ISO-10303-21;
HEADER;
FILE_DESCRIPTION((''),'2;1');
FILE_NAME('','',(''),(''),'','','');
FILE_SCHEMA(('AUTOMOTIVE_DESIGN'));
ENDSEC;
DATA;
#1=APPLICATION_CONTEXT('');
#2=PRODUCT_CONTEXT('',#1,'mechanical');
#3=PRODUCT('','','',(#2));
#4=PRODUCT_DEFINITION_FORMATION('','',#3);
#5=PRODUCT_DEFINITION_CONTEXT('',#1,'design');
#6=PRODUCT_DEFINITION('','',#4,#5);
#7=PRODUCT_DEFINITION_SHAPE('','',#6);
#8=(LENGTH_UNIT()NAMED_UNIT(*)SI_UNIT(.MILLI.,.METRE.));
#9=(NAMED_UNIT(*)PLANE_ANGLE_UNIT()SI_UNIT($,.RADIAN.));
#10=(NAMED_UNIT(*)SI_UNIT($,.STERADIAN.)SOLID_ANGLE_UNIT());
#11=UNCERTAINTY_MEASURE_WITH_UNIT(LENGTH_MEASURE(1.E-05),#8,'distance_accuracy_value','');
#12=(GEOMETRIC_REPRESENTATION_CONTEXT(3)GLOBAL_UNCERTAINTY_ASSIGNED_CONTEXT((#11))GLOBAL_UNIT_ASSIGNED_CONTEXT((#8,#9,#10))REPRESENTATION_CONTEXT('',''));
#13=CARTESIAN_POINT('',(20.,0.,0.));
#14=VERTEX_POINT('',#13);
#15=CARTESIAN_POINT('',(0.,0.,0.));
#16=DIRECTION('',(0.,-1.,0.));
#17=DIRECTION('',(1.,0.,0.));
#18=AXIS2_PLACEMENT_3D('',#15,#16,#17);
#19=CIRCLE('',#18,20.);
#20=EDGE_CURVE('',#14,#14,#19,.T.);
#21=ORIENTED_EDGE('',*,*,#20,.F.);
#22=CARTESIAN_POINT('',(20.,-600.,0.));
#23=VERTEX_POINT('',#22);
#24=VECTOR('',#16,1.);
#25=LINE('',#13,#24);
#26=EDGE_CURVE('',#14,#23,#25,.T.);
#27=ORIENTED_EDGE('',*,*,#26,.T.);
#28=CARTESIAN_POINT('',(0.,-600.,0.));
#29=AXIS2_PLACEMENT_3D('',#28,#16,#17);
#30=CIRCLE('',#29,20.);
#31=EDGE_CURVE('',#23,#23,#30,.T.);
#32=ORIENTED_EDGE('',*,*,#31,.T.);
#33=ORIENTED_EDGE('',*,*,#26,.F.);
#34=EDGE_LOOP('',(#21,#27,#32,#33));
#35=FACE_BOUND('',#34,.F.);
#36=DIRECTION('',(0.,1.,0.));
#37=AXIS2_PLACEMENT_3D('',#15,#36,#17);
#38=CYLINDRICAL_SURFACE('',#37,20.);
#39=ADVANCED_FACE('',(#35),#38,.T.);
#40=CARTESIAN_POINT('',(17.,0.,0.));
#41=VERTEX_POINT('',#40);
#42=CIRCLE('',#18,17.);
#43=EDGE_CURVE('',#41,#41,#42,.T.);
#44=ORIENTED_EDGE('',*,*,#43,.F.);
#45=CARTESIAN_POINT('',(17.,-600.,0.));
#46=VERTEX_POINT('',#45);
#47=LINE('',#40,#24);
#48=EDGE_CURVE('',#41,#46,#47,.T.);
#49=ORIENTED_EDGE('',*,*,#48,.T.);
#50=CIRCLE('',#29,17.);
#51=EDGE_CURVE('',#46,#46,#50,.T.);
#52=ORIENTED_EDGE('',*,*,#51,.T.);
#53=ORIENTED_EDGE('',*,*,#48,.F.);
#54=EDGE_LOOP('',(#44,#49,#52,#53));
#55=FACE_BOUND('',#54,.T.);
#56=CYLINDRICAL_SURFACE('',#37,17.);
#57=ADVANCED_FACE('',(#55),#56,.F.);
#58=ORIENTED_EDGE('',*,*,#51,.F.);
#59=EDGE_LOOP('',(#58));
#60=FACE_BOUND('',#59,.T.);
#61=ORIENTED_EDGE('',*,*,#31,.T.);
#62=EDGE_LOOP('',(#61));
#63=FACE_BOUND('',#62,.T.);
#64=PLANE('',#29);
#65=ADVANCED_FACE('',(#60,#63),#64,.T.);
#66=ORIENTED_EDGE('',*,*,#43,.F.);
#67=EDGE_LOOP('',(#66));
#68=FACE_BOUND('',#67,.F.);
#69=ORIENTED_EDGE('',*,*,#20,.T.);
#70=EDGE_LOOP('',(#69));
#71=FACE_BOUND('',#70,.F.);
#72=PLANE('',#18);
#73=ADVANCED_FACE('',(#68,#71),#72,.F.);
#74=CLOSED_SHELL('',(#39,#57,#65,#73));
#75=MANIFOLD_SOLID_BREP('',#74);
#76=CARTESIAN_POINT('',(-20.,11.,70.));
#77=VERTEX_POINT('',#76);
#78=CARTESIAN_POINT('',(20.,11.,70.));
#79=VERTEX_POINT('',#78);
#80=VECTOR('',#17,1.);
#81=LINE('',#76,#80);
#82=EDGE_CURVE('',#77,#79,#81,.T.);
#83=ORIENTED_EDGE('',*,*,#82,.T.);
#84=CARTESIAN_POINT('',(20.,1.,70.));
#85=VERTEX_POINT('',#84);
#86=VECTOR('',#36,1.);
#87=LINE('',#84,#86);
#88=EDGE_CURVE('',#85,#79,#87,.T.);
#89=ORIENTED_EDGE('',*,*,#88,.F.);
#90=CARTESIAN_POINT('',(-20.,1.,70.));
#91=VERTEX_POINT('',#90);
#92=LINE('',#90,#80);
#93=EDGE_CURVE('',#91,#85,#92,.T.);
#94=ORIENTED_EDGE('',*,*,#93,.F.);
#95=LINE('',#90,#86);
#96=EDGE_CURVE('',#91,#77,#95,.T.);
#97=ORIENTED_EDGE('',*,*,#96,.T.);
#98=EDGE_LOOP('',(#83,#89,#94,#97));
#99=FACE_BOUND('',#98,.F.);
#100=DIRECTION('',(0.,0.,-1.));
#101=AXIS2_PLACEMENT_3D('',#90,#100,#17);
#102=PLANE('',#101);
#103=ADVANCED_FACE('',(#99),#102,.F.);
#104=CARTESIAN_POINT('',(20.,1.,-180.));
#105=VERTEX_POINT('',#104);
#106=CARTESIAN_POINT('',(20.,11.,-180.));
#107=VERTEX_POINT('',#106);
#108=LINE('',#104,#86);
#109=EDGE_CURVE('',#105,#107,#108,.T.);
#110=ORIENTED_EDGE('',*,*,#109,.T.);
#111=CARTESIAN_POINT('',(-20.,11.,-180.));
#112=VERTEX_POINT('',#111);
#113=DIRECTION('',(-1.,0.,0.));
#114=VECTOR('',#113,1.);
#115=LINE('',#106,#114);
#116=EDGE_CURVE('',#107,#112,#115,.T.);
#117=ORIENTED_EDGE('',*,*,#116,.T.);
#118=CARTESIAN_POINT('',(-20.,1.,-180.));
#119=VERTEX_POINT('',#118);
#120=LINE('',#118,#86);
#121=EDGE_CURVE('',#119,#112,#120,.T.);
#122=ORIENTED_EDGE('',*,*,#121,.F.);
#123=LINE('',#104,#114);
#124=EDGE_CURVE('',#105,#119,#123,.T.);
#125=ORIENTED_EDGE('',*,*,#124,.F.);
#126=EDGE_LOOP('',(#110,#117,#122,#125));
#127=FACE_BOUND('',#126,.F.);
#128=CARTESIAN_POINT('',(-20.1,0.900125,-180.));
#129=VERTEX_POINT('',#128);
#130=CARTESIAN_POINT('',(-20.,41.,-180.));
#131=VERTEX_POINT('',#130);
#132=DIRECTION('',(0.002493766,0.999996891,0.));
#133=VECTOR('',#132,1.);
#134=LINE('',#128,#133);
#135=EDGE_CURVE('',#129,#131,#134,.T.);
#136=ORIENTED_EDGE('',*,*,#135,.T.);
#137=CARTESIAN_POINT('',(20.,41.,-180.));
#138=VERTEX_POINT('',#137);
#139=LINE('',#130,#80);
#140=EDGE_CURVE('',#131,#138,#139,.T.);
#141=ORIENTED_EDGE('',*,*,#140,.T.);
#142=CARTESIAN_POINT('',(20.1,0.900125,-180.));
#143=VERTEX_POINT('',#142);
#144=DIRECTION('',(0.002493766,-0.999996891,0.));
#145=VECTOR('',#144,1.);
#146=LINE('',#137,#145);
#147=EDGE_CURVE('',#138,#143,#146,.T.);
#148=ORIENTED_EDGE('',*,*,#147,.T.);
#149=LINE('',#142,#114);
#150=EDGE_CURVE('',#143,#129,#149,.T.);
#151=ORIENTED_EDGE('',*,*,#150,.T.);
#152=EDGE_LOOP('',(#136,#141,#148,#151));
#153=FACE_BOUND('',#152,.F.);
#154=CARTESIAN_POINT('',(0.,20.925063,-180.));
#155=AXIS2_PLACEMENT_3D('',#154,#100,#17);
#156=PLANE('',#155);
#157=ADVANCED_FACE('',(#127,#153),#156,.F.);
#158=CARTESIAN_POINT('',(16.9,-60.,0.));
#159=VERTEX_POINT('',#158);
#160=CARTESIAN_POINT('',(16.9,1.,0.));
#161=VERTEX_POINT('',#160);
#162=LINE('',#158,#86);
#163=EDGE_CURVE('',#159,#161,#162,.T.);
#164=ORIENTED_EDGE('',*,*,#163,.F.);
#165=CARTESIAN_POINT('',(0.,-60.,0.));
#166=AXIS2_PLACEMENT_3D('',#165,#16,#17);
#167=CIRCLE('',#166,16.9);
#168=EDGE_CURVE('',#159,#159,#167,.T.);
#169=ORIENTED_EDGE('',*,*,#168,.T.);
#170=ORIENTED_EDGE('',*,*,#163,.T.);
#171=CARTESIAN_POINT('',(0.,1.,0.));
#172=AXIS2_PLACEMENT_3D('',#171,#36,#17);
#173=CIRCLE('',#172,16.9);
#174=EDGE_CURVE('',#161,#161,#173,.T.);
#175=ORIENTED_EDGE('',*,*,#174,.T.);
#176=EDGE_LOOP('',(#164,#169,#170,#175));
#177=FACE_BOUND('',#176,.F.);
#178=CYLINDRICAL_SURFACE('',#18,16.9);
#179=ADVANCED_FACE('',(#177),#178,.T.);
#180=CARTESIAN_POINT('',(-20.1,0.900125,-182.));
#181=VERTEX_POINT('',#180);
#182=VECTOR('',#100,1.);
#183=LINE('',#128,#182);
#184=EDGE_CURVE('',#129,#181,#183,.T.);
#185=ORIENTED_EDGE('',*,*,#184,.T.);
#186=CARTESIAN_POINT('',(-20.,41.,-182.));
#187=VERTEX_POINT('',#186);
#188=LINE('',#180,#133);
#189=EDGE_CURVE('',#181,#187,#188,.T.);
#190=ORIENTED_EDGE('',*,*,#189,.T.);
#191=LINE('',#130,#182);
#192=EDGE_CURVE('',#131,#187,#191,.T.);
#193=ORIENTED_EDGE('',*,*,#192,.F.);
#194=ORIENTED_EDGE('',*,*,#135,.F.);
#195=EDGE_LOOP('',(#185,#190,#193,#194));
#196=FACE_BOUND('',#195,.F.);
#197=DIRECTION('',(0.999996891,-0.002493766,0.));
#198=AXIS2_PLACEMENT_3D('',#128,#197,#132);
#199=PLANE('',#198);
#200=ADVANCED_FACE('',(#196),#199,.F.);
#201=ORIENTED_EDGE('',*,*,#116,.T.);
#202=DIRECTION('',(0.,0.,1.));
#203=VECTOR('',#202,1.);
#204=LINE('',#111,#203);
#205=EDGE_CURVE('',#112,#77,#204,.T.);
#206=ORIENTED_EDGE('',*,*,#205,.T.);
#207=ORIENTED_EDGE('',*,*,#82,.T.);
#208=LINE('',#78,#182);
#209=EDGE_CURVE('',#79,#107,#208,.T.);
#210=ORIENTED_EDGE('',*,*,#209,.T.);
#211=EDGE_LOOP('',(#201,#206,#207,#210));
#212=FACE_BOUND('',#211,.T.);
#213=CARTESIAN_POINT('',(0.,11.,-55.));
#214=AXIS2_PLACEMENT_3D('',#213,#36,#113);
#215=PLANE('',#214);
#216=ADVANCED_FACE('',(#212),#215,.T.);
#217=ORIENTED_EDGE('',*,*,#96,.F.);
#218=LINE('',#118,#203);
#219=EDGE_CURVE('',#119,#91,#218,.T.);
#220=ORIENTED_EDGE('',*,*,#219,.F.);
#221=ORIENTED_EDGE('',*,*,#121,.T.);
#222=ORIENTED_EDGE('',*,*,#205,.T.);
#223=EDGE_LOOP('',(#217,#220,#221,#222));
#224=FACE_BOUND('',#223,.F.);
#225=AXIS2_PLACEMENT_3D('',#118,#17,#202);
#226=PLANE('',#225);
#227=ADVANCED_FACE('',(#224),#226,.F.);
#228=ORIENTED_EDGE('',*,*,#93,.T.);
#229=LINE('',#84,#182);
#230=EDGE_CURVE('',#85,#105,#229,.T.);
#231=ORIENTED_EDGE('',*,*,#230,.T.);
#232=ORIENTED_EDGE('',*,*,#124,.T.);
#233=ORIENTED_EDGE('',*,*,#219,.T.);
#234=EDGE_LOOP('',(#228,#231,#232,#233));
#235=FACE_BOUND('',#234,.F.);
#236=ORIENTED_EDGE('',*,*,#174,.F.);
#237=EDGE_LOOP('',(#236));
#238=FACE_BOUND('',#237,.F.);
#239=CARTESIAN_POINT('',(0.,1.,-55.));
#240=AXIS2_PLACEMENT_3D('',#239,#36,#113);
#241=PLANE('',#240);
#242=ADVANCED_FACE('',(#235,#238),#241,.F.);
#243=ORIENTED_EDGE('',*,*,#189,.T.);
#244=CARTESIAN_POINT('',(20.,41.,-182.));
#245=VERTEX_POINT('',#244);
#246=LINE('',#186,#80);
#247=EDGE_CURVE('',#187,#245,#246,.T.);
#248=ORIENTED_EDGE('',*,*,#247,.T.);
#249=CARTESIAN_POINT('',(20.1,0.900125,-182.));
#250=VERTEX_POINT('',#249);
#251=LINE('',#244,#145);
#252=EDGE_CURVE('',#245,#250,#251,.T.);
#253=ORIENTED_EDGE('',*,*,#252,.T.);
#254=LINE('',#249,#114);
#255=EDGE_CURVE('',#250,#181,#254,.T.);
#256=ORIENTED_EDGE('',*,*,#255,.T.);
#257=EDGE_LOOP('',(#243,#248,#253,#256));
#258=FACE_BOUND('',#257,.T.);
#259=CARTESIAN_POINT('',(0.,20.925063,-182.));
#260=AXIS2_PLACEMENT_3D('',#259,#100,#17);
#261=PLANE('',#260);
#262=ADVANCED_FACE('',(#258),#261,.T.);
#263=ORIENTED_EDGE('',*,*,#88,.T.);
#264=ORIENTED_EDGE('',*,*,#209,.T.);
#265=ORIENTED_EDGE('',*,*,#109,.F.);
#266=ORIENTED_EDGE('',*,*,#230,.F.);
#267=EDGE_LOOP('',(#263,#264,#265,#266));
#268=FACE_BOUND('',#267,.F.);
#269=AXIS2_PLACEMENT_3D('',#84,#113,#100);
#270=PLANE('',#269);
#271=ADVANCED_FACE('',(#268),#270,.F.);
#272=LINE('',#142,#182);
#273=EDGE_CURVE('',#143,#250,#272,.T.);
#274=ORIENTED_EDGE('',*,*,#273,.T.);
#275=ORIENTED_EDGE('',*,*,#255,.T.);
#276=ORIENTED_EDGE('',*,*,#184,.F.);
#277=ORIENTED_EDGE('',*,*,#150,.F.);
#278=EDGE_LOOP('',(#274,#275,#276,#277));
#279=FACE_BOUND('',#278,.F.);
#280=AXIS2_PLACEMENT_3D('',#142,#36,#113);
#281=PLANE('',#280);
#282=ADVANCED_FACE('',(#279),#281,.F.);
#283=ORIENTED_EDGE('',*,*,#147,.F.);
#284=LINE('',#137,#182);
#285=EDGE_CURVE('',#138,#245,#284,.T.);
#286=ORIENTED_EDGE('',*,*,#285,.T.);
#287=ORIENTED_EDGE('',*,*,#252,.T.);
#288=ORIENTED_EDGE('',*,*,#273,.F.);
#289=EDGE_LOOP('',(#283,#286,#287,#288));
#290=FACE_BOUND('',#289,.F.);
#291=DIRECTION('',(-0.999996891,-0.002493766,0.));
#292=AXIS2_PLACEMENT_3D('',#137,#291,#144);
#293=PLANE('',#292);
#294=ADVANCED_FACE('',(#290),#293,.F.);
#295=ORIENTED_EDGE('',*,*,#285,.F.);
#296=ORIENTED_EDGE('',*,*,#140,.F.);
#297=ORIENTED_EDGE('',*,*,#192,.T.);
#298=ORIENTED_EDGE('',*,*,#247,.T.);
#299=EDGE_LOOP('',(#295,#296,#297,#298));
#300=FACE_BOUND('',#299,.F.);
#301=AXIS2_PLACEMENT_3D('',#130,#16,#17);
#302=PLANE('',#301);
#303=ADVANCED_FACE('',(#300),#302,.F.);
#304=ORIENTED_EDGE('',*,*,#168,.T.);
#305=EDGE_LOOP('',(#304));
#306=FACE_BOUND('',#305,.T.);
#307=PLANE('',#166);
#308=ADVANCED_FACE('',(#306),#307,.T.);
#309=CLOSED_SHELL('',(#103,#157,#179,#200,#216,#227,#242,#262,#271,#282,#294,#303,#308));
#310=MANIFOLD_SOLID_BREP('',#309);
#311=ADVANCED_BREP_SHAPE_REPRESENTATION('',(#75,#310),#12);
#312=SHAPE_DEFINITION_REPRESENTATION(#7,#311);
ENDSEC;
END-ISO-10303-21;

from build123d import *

# Parameters (mm, degrees)
F1_R      = 16.9
F2_DEPTH  = 60
F2_FACE_R = 16.9
F3_DEPTH  = 1
F5_DEPTH  = 10
F0_R      = 20
F0_R_2    = 17
F6_DEPTH  = 600
F8_DEPTH  = 2


with BuildPart() as f2:
    # F1 (on Front) → F2 (new body)
    with BuildSketch(Plane.XZ):
        Circle(F1_R)
    extrude(amount=F2_DEPTH)

    # F2_face (on face) → F3 (join)
    with BuildSketch(Plane(origin=(0, 0, 0), x_dir=(1, 0, 0), z_dir=(0, 1, 0))):
        Circle(F2_FACE_R)
    extrude(amount=F3_DEPTH)

    # F4 (on face) → F5 (join)
    with BuildSketch(Plane(origin=(0, 1, 0), x_dir=(-1, 0, 0), z_dir=(0, 1, 0))):
        Polygon((-20, 20), (-20, -180), (20, -180), (20, 20), (20, 70), (-20, 70), align=None)
    extrude(amount=F5_DEPTH)

    # F7 (on face) → F8 (join)
    with BuildSketch(Plane(origin=(0, 0, -180), x_dir=(1, 0, 0), z_dir=(0, 0, -1))):
        Polygon((-20.1, -0.900125), (-20, -41), (20, -41), (20.1, -0.900125), align=None)
    extrude(amount=F8_DEPTH)


with BuildPart() as f6:
    # F0 (on Front) → F6 (new body)
    with BuildSketch(Plane.XZ):
        Circle(F0_R)
        Circle(F0_R_2, mode=Mode.SUBTRACT)
    extrude(amount=F6_DEPTH)


solid = Compound([f2.part, f6.part])
